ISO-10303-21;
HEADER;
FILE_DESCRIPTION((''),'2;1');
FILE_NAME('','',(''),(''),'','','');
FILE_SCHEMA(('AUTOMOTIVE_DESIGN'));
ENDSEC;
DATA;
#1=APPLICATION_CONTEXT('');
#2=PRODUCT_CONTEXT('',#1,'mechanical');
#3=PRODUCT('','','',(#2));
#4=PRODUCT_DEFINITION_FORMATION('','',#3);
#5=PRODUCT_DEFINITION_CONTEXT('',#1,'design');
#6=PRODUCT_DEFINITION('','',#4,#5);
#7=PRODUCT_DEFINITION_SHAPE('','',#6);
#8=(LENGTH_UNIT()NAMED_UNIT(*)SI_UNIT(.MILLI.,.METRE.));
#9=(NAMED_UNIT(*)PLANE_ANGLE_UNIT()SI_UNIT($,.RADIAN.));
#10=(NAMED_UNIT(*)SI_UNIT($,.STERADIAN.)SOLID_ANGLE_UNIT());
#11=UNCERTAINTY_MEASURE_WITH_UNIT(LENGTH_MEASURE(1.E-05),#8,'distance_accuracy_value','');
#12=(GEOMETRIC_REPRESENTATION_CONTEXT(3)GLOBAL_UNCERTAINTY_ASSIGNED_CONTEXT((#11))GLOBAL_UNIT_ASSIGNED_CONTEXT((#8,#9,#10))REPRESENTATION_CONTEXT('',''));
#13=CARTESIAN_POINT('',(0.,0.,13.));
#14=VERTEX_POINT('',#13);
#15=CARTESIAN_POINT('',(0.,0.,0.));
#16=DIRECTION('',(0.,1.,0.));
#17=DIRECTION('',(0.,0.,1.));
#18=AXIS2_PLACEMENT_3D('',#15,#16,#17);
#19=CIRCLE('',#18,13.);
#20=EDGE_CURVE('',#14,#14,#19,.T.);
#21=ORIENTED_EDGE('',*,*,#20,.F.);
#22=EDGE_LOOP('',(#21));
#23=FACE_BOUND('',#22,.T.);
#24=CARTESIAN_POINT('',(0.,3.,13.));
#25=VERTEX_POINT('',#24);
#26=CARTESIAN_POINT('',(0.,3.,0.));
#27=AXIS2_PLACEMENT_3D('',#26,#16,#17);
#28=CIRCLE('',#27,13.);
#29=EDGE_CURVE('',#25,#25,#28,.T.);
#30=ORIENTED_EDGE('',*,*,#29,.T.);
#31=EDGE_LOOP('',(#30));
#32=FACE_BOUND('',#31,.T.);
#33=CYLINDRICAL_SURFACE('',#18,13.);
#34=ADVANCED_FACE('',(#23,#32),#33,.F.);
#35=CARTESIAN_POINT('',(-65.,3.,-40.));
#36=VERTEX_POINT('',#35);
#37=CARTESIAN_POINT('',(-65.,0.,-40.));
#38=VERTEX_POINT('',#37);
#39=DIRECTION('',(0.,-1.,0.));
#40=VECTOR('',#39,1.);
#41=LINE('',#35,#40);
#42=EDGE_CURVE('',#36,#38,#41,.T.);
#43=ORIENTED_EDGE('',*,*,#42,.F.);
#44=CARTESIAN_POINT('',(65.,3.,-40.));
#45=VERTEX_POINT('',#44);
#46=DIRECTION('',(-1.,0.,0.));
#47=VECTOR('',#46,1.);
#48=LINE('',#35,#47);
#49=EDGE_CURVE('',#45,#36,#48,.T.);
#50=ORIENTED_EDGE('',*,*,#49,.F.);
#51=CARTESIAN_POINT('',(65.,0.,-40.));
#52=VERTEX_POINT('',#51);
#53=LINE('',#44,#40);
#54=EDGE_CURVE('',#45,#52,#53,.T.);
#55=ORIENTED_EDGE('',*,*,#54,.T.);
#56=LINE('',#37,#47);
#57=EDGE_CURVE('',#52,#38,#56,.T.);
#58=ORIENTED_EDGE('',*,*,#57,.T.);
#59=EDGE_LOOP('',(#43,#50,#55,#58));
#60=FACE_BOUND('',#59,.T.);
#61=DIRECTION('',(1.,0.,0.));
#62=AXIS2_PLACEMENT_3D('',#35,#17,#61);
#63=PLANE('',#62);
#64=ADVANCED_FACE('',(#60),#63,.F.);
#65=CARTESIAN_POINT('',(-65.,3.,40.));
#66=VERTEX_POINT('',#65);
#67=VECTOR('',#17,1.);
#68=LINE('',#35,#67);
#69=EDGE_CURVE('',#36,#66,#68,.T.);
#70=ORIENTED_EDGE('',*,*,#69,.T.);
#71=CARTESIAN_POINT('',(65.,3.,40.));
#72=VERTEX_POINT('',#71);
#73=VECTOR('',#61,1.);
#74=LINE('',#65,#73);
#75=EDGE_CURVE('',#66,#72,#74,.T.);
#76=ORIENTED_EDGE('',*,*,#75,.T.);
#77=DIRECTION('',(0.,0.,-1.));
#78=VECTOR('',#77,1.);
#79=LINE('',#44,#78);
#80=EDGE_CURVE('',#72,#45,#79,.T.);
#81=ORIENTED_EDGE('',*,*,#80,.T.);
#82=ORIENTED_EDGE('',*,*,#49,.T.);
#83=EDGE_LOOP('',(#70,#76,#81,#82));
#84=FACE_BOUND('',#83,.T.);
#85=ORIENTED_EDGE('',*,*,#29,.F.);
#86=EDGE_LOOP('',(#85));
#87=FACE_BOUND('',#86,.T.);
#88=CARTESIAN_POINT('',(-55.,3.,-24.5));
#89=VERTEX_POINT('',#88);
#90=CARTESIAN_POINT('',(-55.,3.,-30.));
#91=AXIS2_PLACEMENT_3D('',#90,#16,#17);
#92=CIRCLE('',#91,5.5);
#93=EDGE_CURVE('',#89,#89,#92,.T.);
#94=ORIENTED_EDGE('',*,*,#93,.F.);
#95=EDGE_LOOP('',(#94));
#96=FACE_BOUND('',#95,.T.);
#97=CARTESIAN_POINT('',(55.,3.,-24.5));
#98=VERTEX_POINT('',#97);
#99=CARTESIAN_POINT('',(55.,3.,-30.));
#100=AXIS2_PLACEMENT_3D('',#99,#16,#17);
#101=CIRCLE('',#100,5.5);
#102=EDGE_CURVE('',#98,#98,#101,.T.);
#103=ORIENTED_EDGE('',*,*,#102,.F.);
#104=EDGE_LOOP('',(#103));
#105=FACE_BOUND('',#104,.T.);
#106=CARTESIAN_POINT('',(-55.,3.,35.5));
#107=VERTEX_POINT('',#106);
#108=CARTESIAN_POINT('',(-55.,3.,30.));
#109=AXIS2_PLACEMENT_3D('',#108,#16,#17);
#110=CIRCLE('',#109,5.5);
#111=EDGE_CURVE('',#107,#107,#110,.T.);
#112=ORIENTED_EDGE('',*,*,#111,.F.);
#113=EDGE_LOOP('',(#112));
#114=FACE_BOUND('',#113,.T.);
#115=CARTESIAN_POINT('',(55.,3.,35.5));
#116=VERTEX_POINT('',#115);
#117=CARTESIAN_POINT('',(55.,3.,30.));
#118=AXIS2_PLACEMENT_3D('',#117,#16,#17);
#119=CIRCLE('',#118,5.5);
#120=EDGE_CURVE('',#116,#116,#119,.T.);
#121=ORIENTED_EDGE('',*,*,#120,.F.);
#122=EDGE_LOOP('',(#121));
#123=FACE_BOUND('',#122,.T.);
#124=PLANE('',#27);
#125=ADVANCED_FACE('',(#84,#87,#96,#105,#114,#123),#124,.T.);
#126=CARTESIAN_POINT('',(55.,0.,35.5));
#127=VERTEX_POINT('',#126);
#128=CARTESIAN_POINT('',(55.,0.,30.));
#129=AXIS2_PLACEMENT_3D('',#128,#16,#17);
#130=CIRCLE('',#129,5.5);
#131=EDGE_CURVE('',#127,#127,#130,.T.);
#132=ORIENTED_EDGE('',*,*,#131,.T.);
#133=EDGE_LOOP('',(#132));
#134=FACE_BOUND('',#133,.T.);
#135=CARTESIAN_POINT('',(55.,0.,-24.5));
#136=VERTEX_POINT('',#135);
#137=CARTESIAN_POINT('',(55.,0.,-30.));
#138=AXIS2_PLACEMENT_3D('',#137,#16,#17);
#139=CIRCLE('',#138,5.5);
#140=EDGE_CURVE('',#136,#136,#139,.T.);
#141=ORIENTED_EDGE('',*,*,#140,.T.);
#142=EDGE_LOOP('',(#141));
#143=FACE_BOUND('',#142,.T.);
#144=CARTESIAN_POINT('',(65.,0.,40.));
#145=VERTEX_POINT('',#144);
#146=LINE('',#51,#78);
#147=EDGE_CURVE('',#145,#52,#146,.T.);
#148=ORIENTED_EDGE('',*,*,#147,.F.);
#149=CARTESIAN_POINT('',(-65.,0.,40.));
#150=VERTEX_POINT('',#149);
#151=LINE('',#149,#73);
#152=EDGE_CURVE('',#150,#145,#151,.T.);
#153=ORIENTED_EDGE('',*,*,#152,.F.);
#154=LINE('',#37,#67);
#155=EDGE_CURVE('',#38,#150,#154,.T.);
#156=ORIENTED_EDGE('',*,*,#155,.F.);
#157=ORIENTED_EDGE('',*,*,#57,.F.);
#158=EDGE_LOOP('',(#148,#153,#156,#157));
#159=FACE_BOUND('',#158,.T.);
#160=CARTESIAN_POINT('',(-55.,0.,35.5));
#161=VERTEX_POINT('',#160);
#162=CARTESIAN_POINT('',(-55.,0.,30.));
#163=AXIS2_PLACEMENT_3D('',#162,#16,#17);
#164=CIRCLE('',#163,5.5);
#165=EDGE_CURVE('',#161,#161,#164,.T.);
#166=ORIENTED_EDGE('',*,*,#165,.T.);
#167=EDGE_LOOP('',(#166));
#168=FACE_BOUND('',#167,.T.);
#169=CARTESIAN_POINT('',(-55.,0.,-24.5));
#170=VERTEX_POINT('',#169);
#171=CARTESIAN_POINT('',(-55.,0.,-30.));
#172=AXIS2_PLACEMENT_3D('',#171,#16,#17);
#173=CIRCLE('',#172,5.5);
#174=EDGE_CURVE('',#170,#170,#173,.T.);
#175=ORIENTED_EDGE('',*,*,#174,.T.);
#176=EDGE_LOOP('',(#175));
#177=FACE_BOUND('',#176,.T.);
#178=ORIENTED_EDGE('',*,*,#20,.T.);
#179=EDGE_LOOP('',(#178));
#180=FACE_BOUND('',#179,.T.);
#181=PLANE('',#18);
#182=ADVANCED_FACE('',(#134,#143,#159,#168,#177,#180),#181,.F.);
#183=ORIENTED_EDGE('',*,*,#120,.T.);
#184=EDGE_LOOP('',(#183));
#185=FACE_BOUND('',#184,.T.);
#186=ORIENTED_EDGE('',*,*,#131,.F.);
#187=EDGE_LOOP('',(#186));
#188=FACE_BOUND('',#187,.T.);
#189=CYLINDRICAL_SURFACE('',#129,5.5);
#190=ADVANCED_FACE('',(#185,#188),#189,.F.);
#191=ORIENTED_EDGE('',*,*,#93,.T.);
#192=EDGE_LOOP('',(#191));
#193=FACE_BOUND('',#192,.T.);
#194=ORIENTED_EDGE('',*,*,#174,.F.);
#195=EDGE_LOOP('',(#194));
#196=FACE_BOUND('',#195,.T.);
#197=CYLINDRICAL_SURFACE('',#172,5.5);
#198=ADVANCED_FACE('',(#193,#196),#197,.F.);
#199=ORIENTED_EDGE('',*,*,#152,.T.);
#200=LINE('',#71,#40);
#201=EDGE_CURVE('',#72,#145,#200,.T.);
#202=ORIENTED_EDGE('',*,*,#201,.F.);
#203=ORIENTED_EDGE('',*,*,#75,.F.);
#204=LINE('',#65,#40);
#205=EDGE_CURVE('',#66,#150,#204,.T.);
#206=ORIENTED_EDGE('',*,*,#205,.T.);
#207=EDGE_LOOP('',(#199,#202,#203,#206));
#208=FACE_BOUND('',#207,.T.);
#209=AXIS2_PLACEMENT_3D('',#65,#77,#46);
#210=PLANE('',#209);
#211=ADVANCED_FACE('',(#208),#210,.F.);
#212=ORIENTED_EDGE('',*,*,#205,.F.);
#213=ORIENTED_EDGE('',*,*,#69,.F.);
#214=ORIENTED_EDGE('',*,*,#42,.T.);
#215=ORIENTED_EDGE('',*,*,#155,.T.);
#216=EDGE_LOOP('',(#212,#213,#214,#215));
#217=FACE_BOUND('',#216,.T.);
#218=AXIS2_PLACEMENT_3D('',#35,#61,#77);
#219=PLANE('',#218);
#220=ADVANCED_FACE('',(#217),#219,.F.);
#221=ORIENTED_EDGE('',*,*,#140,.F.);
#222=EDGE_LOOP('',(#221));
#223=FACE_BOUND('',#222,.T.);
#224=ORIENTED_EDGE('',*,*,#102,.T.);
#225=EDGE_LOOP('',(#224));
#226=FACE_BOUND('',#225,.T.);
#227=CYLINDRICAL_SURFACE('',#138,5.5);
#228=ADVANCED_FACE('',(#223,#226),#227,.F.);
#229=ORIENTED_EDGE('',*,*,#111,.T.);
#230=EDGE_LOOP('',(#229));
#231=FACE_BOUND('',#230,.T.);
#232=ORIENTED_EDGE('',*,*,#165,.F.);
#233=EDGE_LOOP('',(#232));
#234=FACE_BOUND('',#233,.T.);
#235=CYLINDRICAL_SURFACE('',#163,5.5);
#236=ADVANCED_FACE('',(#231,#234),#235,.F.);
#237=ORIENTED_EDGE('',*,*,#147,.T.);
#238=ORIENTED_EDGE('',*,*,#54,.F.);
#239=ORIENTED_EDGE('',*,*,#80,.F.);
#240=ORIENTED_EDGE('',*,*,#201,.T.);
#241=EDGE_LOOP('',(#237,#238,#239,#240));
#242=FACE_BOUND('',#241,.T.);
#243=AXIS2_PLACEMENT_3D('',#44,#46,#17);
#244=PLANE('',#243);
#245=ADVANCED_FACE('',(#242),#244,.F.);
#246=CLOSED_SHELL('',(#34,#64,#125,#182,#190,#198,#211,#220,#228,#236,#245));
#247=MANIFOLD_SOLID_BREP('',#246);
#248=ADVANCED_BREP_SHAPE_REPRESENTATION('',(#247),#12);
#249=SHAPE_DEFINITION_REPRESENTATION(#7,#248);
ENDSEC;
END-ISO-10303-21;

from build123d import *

# Parameters (mm, degrees)
CROQUIS1_W              = 130
CROQUIS1_H              = 80
SALIENTE_EXTRUIR1_DEPTH = 3
CROQUIS2_R              = 13
CORTAR_EXTRUIR1_DEPTH   = 3
CROQUIS3_R              = 5.5
CORTAR_EXTRUIR2_DEPTH   = 3


with BuildPart() as part:
    # Croquis1 → Saliente-Extruir1 (new body)
    with BuildSketch(Plane(origin=(0, 0, 0), x_dir=(1, 0, 0), z_dir=(0, 1, 0))):
        Rectangle(CROQUIS1_W, CROQUIS1_H)
    extrude(amount=SALIENTE_EXTRUIR1_DEPTH)

    # Croquis2 → Cortar-Extruir1 (cut)
    with BuildSketch(Plane(origin=(0, 3, 0), x_dir=(1, 0, 0), z_dir=(0, 1, 0))):
        with Locations(Location((0, 0, 0), (0, 0, 270))):
            Circle(CROQUIS2_R)
    extrude(amount=-CORTAR_EXTRUIR1_DEPTH, mode=Mode.SUBTRACT)

    # Croquis3 → Cortar-Extruir2 (cut)
    with BuildSketch(Plane(origin=(0, 3, 0), x_dir=(1, 0, 0), z_dir=(0, 1, 0))):
        with Locations(Location((-55, 30, 0), (0, 0, 270))):
            Circle(CROQUIS3_R)
        with Locations(Location((-55, -30, 0), (0, 0, 270))):
            Circle(CROQUIS3_R)
        with Locations(Location((55, 30, 0), (0, 0, 270))):
            Circle(CROQUIS3_R)
        with Locations(Location((55, -30, 0), (0, 0, 270))):
            Circle(CROQUIS3_R)
    extrude(amount=-CORTAR_EXTRUIR2_DEPTH, mode=Mode.SUBTRACT)


solid = part.part
